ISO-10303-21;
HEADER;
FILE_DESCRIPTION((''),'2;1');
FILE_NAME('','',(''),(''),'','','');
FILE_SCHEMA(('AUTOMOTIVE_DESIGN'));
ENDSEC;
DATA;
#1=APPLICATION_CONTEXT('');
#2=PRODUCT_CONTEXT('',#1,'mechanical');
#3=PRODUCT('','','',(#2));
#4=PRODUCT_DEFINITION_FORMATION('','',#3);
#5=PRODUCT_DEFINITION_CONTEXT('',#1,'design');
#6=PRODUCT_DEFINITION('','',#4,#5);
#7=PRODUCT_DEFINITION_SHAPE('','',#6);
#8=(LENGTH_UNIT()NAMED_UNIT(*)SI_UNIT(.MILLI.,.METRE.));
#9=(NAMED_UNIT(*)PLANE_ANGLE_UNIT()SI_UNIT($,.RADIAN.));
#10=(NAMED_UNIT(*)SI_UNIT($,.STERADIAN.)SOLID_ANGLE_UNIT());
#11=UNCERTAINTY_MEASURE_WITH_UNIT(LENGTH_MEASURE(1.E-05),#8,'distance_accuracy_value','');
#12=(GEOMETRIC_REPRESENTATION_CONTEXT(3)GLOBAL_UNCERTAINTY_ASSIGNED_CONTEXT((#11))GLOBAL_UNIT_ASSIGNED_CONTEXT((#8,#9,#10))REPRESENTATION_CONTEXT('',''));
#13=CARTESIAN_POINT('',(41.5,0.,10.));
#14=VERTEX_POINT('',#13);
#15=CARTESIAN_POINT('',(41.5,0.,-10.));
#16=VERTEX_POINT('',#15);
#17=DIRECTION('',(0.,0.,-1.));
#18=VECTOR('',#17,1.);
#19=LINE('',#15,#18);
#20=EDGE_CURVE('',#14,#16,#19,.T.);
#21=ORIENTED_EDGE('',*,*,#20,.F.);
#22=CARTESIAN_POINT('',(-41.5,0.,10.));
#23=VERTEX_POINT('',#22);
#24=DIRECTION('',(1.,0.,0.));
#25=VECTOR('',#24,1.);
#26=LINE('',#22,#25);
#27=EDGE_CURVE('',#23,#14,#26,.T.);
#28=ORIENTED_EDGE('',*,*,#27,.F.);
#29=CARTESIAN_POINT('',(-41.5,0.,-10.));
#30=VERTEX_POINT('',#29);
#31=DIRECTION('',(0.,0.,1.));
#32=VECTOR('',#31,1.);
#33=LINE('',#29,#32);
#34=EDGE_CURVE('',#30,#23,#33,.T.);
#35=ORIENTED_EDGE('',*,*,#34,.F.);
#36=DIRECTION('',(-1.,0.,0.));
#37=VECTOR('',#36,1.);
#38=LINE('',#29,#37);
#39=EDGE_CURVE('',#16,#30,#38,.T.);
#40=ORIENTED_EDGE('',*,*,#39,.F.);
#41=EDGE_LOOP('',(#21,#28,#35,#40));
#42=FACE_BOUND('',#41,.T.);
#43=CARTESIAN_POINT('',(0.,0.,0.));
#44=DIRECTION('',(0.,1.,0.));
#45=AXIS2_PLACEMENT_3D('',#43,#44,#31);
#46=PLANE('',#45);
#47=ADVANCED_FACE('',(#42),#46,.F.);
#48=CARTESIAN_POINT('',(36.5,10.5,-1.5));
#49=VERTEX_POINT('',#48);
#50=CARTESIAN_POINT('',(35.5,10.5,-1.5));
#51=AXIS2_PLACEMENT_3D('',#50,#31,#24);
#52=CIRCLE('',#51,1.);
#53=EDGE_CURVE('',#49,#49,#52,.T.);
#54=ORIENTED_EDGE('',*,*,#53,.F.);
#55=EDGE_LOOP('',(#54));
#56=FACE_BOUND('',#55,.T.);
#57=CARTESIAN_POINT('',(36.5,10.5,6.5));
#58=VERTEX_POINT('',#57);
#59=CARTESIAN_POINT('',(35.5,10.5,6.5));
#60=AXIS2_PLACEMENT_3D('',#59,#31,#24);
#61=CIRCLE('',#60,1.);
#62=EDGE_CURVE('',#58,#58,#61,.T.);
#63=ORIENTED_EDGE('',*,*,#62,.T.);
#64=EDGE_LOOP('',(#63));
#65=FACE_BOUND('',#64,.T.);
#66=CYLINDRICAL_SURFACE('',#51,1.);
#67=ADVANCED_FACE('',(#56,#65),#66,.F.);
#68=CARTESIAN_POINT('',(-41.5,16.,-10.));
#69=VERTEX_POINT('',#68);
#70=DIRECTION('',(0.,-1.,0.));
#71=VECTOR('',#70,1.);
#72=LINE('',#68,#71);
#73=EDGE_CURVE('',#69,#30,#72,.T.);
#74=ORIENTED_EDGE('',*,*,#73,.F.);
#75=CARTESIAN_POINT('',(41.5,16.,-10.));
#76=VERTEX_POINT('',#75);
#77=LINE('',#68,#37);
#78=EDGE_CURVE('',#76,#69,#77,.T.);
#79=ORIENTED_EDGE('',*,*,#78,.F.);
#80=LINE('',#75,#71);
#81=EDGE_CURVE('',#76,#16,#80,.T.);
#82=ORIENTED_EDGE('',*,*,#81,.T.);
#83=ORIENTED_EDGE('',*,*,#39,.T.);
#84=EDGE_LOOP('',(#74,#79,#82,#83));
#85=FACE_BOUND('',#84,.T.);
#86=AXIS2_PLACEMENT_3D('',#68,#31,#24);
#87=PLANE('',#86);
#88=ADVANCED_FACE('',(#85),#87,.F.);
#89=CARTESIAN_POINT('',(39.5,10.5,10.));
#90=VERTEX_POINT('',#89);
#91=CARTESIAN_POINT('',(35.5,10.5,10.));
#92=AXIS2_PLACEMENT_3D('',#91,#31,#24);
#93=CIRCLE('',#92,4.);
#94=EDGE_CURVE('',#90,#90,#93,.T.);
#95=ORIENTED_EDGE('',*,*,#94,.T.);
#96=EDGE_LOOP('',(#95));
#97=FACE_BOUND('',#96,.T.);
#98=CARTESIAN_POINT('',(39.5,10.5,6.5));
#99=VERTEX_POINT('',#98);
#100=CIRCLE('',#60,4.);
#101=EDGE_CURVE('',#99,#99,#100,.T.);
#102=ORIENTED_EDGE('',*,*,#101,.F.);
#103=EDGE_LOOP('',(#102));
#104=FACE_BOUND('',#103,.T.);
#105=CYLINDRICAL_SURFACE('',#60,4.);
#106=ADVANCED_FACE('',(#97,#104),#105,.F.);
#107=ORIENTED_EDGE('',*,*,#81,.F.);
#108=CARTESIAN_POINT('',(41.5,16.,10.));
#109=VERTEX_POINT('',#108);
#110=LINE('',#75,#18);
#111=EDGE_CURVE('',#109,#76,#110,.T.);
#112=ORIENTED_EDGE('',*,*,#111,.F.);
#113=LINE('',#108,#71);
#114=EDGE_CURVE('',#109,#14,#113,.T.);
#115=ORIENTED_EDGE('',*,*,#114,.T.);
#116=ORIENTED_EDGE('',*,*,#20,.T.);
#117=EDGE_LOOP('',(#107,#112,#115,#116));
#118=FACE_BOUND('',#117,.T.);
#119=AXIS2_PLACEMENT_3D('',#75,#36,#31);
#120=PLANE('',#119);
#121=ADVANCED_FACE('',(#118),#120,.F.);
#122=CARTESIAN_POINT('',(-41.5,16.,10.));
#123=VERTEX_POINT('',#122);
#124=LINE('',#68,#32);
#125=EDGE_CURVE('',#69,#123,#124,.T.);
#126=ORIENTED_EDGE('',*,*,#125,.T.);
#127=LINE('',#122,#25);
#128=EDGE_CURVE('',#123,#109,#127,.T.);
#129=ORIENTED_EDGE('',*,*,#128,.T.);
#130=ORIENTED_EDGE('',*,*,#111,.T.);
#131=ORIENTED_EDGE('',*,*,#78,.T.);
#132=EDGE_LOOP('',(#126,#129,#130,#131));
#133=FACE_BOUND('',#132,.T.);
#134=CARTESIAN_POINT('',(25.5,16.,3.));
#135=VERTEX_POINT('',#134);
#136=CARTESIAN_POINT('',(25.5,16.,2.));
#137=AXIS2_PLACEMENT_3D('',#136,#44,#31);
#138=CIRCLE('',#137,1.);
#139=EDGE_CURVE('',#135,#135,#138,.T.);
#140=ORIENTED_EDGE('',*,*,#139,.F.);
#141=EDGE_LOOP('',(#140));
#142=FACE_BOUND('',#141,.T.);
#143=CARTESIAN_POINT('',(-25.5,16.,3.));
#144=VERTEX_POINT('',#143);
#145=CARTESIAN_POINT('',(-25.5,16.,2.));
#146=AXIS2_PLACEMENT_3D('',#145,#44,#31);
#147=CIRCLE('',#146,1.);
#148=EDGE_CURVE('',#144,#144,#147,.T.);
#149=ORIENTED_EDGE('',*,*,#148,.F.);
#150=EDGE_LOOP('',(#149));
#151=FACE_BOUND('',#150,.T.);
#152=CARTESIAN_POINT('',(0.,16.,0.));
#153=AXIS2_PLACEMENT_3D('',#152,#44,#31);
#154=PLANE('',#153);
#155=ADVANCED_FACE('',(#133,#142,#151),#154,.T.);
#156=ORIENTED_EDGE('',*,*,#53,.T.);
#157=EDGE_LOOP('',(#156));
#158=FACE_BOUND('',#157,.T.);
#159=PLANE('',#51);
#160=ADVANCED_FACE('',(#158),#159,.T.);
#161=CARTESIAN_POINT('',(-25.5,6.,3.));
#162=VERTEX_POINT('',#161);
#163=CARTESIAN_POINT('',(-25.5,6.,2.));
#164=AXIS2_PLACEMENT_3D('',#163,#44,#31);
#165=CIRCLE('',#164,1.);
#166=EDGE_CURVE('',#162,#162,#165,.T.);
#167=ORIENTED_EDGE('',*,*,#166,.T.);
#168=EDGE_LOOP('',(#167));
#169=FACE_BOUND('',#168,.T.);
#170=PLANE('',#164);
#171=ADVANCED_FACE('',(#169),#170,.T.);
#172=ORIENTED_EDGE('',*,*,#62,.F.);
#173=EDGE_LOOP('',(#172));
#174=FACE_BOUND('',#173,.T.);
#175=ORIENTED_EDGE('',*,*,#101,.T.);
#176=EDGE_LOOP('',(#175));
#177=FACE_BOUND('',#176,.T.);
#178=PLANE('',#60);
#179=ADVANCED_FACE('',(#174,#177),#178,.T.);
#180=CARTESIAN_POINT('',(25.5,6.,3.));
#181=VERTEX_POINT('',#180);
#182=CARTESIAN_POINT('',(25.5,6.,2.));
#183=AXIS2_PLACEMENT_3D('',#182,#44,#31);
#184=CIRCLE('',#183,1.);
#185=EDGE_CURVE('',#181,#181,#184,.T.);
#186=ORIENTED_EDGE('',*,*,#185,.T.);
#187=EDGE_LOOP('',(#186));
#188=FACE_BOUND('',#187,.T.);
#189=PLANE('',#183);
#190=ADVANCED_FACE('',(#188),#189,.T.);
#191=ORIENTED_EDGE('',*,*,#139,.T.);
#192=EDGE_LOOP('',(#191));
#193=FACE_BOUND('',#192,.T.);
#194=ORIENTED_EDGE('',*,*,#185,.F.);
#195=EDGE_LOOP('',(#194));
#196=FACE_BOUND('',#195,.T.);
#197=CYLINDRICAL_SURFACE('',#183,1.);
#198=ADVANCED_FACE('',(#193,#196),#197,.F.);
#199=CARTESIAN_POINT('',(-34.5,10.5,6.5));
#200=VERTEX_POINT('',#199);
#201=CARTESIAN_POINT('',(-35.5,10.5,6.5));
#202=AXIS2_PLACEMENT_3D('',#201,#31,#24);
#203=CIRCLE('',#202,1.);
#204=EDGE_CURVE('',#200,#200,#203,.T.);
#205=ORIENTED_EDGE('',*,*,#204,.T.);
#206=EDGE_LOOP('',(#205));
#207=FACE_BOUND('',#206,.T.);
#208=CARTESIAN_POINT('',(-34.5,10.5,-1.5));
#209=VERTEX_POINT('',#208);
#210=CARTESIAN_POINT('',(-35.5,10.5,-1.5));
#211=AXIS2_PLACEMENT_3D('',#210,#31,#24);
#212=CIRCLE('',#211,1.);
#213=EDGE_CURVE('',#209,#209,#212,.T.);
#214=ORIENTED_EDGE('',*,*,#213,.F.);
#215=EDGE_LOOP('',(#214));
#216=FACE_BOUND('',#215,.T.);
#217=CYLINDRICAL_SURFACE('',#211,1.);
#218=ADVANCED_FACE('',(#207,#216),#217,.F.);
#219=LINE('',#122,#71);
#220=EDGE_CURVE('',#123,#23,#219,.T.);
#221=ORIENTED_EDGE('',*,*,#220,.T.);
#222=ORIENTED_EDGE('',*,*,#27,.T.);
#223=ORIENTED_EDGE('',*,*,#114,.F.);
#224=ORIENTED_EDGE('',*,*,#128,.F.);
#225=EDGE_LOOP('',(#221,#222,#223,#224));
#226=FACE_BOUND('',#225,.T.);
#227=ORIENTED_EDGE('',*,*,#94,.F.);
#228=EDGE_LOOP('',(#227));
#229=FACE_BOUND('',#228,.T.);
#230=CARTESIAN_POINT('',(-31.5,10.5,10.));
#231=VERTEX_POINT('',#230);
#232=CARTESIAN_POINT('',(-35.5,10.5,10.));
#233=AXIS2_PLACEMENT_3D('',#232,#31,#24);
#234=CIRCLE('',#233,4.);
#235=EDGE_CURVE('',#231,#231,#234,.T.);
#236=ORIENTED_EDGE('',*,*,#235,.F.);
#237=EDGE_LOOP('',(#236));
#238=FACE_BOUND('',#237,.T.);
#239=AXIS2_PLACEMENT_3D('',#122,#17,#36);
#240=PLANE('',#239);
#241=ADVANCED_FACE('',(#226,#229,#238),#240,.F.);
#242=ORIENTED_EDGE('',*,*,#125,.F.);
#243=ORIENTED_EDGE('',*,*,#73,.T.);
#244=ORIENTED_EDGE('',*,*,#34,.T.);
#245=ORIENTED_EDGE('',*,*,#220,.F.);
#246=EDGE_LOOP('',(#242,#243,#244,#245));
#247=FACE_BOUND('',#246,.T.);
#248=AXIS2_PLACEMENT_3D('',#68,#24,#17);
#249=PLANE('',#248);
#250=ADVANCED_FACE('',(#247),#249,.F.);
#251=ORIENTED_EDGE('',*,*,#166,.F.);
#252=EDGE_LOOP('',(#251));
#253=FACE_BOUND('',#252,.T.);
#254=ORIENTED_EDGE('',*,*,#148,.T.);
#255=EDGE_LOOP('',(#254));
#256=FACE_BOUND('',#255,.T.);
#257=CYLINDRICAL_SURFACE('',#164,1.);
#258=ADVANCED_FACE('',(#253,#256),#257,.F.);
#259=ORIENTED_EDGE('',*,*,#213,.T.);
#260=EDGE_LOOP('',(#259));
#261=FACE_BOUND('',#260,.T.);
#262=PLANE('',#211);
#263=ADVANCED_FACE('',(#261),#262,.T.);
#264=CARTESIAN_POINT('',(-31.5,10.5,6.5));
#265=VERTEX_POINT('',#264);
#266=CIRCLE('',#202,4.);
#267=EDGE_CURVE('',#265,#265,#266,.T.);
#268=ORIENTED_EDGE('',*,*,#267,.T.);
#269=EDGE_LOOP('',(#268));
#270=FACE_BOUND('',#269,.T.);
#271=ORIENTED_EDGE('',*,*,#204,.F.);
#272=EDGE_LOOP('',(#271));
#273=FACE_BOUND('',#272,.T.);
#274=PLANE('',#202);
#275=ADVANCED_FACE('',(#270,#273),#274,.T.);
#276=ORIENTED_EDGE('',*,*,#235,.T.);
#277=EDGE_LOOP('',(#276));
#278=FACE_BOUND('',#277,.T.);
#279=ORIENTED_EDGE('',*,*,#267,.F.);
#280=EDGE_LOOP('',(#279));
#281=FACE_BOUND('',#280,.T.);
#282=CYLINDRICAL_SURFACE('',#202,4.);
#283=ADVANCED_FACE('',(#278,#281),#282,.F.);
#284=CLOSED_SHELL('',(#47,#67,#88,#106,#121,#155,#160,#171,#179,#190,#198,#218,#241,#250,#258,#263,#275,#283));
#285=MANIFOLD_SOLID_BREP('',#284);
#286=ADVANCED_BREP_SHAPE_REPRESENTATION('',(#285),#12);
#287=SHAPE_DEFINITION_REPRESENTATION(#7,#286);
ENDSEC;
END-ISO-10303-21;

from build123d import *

# Parameters (mm, degrees)
SKETCH_1_W          = 83
SKETCH_1_H          = 20
EXTRUDE_1_DEPTH     = 16
SKETCH_2_R          = 4
CUT_EXTRUDE_1_DEPTH = 3.5
SKETCH_3_R          = 1
CUT_EXTRUDE_2_DEPTH = 10
SKETCH_6_R          = 1
CUT_EXTRUDE_5_DEPTH = 8


with BuildPart() as part:
    # 스케치1 → 보스-돌출1 (new body)
    with BuildSketch(Plane(origin=(0, 0, 0), x_dir=(1, 0, 0), z_dir=(0, 1, 0))):
        Rectangle(SKETCH_1_W, SKETCH_1_H)
    extrude(amount=EXTRUDE_1_DEPTH)

    # 스케치2 → 컷-돌출1 (cut)
    with BuildSketch(Plane.XY.offset(10)):
        with Locations((-35.5, 10.5)):
            Circle(SKETCH_2_R)
        with Locations((35.5, 10.5)):
            Circle(SKETCH_2_R)
    extrude(amount=-CUT_EXTRUDE_1_DEPTH, mode=Mode.SUBTRACT)

    # 스케치3 → 컷-돌출2 (cut)
    with BuildSketch(Plane(origin=(0, 16, 0), x_dir=(1, 0, 0), z_dir=(0, 1, 0))):
        with Locations(Location((-25.5, -2, 0), (0, 0, 270))):
            Circle(SKETCH_3_R)
        with Locations(Location((25.5, -2, 0), (0, 0, 270))):
            Circle(SKETCH_3_R)
    extrude(amount=-CUT_EXTRUDE_2_DEPTH, mode=Mode.SUBTRACT)

    # 스케치6 → 컷-돌출5 (cut)
    with BuildSketch(Plane.XY.offset(6.5)):
        with Locations((-35.5, 10.5)):
            Circle(SKETCH_6_R)
        with Locations((35.5, 10.5)):
            Circle(SKETCH_6_R)
    extrude(amount=-CUT_EXTRUDE_5_DEPTH, mode=Mode.SUBTRACT)


solid = part.part
